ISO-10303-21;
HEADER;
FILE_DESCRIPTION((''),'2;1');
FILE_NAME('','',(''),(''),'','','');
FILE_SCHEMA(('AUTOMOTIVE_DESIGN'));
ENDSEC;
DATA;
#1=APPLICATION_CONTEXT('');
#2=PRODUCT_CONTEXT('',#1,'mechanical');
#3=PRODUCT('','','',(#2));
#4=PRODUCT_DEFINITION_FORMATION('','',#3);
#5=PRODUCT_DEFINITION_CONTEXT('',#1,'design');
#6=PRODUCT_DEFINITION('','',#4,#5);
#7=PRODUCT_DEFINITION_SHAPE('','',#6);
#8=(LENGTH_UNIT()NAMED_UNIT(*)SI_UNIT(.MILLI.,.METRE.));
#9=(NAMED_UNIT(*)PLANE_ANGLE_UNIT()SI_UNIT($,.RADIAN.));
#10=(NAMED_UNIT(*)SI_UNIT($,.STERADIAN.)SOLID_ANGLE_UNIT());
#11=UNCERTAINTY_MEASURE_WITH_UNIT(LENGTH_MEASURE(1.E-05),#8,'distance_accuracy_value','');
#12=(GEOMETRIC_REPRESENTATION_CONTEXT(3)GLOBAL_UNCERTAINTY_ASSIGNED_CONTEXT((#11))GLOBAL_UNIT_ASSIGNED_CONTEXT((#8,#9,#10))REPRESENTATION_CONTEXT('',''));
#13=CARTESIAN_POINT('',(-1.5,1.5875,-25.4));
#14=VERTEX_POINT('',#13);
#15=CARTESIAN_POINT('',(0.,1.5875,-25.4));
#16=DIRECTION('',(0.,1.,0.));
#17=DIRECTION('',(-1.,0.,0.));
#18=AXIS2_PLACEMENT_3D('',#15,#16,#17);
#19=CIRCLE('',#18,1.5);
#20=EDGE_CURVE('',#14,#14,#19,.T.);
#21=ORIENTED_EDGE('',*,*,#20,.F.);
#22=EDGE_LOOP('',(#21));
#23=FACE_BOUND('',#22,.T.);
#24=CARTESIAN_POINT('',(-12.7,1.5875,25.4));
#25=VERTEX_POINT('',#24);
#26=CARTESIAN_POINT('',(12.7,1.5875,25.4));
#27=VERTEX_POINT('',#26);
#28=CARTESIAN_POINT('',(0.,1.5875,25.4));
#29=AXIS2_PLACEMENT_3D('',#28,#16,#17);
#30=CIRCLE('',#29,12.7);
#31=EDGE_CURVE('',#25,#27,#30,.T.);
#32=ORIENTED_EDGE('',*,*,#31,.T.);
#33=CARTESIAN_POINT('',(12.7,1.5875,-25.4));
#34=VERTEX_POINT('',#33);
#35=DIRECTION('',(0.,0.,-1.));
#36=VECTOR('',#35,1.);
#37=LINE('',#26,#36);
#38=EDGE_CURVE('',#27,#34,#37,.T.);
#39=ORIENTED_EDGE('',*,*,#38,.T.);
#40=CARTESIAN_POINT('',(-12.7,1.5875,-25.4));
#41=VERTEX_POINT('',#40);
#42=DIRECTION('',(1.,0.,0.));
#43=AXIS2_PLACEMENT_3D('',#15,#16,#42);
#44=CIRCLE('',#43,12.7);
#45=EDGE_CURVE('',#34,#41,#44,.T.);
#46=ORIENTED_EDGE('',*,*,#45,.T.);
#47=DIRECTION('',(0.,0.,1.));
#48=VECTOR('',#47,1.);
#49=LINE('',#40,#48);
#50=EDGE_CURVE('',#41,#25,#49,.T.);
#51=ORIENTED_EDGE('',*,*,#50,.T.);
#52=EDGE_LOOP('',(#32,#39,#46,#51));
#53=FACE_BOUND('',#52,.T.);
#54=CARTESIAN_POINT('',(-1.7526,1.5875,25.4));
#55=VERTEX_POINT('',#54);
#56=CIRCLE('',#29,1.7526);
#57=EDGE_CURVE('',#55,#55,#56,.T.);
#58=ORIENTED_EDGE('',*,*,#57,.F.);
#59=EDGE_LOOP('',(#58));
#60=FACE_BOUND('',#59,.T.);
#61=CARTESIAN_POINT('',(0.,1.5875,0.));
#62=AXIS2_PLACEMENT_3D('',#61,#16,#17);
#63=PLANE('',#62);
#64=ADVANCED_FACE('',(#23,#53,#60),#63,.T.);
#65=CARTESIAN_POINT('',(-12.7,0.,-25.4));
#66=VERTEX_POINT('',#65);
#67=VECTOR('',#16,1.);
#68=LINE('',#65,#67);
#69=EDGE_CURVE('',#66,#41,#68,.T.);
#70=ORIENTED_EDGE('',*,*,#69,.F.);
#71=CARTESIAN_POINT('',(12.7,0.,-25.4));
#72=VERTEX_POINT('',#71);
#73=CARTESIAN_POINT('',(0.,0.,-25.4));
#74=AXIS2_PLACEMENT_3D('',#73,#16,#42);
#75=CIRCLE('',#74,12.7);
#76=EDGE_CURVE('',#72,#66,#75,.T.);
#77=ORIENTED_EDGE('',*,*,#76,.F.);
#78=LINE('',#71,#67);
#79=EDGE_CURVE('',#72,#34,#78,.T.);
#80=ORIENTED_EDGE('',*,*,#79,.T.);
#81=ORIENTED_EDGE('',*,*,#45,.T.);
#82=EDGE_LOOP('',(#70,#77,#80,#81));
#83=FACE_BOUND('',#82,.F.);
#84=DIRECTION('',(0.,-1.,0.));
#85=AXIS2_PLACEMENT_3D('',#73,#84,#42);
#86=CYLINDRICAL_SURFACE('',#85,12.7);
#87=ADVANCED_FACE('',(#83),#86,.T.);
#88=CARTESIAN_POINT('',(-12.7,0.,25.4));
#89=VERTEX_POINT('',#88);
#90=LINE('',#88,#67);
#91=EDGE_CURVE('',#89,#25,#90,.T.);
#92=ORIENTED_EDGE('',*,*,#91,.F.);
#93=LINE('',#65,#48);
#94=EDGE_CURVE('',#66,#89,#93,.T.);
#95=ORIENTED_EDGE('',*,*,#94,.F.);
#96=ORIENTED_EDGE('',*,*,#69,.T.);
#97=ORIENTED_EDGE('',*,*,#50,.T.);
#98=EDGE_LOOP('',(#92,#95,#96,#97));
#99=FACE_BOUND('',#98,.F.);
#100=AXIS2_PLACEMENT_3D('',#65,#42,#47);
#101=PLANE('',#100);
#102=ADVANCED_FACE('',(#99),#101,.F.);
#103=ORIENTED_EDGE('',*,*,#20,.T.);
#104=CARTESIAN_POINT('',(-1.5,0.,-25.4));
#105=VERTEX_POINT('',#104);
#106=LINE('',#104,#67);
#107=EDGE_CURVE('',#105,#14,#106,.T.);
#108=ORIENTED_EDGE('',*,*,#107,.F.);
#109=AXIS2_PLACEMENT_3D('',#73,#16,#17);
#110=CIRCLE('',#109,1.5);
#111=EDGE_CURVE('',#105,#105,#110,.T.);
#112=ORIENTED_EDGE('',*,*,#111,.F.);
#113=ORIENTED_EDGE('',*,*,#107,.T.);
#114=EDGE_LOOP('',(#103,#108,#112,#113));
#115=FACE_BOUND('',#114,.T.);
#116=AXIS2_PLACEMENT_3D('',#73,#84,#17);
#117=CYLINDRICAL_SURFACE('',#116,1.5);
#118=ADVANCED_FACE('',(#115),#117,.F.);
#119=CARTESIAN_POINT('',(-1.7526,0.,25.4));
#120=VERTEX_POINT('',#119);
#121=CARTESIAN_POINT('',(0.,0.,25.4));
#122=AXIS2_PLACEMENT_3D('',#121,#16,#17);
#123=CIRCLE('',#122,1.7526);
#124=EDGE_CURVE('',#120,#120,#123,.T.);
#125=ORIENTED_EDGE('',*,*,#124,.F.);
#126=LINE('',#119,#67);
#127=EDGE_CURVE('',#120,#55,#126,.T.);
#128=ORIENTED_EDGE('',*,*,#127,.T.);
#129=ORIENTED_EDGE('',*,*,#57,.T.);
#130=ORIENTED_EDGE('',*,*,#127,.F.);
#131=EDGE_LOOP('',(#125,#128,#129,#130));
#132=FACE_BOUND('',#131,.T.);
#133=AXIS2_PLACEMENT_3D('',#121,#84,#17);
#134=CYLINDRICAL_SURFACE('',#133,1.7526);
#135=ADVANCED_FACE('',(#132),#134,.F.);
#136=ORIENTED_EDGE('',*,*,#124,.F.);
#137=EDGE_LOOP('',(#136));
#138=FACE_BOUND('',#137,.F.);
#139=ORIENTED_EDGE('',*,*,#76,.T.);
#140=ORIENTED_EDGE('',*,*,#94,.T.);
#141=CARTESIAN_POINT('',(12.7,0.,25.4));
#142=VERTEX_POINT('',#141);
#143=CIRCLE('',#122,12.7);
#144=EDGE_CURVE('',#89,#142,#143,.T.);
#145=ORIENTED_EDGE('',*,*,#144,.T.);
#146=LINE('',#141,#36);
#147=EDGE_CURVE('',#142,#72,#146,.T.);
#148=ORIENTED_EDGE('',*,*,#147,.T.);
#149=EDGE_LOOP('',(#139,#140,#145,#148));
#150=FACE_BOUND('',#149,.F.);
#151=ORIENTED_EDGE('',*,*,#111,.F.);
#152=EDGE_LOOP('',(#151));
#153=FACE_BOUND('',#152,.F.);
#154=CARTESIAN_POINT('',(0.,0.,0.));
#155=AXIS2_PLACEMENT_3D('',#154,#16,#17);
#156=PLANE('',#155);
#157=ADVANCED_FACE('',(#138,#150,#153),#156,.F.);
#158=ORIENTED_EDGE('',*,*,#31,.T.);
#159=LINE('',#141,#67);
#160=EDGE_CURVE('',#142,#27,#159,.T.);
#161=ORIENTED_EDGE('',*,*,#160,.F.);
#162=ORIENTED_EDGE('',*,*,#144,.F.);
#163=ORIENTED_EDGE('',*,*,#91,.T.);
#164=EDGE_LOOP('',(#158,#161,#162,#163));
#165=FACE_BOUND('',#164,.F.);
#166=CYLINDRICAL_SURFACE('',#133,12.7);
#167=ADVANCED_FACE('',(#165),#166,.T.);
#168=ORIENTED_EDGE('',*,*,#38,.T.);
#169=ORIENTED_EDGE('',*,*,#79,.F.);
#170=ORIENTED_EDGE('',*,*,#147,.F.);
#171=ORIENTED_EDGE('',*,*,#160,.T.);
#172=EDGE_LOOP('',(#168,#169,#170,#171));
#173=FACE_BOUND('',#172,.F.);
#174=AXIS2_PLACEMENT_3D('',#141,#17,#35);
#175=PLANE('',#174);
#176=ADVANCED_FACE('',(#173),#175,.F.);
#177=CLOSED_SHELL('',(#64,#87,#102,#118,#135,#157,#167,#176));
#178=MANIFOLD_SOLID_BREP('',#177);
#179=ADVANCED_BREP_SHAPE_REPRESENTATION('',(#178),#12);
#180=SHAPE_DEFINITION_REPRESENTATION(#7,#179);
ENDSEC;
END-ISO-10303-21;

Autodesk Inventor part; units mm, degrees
ref_plane "YZ Plane" through (0, 0, 0) normal (1, 0, 0) x (0, 1, 0)
ref_plane "XZ Plane" through (0, 0, 0) normal (0, 1, 0) x (-1, 0, 0)
ref_plane "XY Plane" through (0, 0, 0) normal (0, 0, 1) x (1, 0, 0)
sketch "Sketch1" plane through (0, 0, 0) normal (0, 1, 0) x (-1, 0, 0)
  line L0 (0, 25.4) -> (0, -25.4) construction
  line L1 (-12.7, 25.4) -> (-12.7, -25.4)
  line L2 (12.7, -25.4) -> (12.7, 25.4)
  arc A0 (12.7, 25.4) -> (-12.7, 25.4) centre (0, 25.4) ccw
  arc A1 (-12.7, -25.4) -> (12.7, -25.4) centre (0, -25.4) ccw
  circle A2 centre (0, 25.4) radius 1.7526
  circle A3 centre (0, -25.4) radius 1.5
  point P0 (0, 0)
  dimension "d0" = 25.4
  dimension "d1" = 50.8
  dimension "d2" = 3.5052
  dimension "d3" = 3
extrude "Extrusion1" add sketch "Sketch1" along normal blind 1.5875
properties part number "Base"
